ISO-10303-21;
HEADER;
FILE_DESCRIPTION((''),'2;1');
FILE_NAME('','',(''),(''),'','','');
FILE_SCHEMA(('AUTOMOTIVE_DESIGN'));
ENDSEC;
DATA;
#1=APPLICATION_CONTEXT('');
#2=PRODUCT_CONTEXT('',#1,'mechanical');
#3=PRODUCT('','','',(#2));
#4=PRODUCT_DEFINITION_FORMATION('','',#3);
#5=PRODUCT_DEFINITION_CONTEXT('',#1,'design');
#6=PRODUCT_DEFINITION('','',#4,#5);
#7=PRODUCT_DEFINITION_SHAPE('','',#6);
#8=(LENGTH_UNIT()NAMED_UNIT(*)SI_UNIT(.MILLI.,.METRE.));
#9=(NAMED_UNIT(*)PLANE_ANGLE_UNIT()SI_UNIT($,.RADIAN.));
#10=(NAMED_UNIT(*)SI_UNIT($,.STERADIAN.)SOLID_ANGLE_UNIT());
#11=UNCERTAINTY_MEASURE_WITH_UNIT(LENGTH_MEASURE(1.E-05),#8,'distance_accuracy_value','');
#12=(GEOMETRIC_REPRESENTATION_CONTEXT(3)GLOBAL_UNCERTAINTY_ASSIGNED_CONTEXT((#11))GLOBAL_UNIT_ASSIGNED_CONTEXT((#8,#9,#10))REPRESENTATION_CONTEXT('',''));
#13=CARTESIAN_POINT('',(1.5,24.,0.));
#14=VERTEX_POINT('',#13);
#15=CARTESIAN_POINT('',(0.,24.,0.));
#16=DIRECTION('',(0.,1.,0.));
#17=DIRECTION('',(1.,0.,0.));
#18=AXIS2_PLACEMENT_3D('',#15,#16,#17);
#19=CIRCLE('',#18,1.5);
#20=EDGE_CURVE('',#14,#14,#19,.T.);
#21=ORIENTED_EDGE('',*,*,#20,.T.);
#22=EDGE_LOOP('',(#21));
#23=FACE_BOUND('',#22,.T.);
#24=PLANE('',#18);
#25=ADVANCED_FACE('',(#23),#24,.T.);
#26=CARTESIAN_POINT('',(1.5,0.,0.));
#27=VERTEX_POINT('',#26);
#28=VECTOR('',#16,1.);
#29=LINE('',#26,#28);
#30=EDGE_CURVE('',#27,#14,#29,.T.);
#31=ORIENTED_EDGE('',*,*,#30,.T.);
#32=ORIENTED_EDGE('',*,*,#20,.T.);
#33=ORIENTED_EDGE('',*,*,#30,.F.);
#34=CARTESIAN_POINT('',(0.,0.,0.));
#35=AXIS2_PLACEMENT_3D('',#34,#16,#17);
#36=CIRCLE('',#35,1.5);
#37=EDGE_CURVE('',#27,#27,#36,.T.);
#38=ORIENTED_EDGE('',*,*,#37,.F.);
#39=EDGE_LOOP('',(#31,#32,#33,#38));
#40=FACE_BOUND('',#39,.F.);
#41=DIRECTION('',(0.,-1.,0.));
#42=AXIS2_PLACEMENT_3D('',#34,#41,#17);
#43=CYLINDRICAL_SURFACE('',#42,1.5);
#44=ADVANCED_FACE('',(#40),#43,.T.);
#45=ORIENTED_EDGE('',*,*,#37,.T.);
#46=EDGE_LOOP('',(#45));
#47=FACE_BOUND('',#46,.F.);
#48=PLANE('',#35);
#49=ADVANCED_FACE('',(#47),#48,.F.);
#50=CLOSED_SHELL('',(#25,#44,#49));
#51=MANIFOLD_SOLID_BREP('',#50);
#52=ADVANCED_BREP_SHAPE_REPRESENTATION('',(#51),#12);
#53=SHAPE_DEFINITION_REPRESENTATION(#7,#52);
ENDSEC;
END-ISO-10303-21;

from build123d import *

# Parameters (mm, degrees)
SKETCH_1_R      = 1.5
EXTRUDE_1_DEPTH = 24


with BuildPart() as part:
    # 草图1 → 凸台-拉伸1 (new body)
    with BuildSketch(Plane(origin=(0, 0, 0), x_dir=(1, 0, 0), z_dir=(0, 1, 0))):
        Circle(SKETCH_1_R)
    extrude(amount=EXTRUDE_1_DEPTH)


solid = part.part
